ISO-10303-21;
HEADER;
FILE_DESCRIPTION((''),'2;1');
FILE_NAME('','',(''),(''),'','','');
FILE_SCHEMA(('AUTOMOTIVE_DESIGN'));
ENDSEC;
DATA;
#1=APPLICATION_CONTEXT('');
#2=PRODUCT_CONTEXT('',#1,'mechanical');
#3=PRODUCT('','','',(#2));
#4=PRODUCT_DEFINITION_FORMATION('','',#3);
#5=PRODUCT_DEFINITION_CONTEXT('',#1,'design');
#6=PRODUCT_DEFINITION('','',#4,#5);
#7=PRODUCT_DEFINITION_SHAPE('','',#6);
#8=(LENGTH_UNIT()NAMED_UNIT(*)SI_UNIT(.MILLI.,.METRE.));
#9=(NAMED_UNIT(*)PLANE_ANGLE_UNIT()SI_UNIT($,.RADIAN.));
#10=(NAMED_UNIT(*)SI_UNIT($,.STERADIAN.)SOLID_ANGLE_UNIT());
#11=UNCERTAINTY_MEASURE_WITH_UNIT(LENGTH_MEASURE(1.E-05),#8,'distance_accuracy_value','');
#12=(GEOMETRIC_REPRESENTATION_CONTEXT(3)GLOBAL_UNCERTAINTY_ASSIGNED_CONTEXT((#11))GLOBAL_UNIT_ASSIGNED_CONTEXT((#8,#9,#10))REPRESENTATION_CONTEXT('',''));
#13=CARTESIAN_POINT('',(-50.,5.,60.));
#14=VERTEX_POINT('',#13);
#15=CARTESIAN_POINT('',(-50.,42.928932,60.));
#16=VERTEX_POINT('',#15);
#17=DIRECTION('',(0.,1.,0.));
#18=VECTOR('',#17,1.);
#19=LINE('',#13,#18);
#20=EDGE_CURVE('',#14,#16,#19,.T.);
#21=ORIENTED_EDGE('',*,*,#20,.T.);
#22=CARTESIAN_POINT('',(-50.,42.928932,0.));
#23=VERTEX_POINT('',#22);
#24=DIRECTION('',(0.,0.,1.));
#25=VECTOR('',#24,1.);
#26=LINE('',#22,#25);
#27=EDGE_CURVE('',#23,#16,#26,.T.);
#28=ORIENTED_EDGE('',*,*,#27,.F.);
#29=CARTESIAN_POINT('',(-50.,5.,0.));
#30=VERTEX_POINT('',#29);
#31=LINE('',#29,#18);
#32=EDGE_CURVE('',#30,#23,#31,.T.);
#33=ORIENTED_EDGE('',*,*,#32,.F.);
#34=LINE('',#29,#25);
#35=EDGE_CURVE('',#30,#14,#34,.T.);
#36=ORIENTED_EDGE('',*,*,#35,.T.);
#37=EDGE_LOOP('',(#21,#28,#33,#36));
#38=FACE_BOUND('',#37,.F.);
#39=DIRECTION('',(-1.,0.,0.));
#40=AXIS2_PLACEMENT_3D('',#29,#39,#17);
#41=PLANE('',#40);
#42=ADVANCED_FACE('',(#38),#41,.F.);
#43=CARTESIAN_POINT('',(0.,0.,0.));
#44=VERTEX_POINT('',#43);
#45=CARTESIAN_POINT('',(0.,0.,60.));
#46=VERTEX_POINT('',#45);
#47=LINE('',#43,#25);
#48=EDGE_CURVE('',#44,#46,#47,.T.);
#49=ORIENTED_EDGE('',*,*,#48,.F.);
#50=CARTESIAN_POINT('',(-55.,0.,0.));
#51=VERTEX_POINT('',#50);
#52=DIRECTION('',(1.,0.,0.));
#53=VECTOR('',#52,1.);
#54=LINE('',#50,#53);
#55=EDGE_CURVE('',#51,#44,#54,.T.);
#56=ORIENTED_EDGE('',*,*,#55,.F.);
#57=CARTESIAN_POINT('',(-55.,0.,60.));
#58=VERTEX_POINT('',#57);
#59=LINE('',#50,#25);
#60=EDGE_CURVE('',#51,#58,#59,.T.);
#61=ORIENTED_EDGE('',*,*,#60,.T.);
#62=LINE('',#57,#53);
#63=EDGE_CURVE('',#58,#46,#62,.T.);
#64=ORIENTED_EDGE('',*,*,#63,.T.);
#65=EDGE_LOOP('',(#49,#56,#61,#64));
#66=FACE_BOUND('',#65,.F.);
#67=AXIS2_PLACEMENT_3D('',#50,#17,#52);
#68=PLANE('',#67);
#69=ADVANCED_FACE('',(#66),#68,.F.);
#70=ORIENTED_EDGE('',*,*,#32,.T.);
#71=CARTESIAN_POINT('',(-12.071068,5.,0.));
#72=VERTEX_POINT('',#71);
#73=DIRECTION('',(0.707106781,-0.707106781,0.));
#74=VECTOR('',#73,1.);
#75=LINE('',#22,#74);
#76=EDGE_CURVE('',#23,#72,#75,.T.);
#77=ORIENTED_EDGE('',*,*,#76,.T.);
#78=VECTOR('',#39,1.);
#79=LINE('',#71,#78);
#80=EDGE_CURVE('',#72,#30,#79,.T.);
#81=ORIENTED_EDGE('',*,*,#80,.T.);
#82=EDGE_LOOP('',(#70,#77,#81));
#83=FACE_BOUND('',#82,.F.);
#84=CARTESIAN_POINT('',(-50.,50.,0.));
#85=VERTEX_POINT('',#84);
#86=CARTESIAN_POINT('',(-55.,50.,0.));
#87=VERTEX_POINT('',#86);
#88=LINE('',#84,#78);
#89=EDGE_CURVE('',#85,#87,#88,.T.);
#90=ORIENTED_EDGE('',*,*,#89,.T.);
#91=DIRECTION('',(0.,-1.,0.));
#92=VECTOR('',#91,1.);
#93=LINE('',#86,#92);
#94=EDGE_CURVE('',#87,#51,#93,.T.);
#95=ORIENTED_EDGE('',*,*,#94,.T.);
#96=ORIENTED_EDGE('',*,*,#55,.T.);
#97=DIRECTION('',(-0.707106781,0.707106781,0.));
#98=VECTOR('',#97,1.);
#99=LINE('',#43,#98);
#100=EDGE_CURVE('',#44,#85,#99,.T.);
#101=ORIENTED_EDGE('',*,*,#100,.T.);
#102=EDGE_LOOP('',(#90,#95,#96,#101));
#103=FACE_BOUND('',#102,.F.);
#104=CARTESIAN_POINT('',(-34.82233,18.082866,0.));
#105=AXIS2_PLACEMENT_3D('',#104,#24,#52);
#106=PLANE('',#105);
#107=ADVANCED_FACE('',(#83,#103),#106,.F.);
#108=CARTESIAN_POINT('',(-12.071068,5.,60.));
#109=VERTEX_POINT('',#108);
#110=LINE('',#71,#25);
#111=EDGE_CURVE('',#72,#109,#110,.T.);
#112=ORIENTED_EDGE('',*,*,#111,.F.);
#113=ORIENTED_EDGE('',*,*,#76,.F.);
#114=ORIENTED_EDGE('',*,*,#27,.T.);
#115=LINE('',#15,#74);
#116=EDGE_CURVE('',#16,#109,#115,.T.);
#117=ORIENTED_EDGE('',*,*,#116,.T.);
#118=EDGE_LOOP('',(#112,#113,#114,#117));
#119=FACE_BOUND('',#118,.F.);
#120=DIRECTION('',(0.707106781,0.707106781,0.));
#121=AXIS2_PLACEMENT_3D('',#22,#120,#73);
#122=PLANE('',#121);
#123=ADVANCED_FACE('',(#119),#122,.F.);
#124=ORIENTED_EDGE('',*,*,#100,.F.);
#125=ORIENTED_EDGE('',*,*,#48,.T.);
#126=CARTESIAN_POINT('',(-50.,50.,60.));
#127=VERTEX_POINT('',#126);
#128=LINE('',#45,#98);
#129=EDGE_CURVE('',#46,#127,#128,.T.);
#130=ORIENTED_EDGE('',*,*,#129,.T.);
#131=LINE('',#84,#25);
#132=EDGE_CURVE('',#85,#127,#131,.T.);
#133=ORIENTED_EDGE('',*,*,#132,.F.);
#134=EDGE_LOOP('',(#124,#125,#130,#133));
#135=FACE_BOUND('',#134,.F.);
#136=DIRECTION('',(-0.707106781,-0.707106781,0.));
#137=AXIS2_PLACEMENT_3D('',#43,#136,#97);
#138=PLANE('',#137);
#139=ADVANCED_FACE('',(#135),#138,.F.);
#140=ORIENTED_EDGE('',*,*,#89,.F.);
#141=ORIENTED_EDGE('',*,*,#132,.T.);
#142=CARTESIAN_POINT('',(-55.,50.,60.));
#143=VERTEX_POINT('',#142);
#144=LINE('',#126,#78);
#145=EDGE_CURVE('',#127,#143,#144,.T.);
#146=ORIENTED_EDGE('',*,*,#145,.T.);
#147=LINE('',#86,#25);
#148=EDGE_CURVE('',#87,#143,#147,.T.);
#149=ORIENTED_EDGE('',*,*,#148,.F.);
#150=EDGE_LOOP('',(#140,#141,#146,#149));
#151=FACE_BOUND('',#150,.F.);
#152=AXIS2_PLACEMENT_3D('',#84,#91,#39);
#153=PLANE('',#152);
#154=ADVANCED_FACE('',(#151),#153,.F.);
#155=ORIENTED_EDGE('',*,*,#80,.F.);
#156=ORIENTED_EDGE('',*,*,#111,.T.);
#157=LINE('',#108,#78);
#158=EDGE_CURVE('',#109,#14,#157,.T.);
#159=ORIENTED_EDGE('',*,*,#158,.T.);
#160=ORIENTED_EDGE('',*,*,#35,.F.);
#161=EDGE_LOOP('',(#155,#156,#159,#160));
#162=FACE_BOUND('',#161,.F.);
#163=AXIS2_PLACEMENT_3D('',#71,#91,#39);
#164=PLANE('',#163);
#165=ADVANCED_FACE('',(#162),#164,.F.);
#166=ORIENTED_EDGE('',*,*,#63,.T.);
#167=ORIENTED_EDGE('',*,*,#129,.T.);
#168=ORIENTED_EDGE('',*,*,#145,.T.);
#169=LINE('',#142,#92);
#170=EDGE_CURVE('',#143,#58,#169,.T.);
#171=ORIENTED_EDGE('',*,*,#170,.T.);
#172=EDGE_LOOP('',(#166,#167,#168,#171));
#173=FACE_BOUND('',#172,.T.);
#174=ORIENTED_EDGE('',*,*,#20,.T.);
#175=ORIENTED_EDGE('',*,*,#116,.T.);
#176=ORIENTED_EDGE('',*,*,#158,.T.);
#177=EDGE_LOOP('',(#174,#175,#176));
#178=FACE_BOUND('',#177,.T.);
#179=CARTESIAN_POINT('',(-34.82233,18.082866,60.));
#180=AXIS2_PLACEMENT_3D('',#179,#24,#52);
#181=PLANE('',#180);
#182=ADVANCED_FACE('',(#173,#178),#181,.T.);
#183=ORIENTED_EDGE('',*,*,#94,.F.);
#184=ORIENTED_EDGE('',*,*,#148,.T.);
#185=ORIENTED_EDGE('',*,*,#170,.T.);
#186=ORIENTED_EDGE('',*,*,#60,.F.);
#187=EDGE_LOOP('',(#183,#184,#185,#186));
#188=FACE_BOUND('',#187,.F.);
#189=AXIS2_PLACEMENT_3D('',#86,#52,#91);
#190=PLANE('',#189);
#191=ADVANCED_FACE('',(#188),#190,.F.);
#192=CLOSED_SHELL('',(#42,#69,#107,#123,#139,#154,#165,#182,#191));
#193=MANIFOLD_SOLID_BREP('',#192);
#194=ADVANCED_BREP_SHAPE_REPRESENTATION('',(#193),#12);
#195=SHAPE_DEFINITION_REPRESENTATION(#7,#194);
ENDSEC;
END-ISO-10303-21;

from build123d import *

# Parameters (mm, degrees)
F1_DEPTH = 60


with BuildPart() as f1:
    # F0 (on Top) → F1 (new body)
    with BuildSketch(Plane.XY):
        Polygon((-55, 0), (0, 0), (-50, 50), (-55, 50), align=None)
        Polygon((-50, 5), (-50, 42.928932), (-12.071068, 5), align=None, mode=Mode.SUBTRACT)
    extrude(amount=F1_DEPTH)


solid = f1.part
